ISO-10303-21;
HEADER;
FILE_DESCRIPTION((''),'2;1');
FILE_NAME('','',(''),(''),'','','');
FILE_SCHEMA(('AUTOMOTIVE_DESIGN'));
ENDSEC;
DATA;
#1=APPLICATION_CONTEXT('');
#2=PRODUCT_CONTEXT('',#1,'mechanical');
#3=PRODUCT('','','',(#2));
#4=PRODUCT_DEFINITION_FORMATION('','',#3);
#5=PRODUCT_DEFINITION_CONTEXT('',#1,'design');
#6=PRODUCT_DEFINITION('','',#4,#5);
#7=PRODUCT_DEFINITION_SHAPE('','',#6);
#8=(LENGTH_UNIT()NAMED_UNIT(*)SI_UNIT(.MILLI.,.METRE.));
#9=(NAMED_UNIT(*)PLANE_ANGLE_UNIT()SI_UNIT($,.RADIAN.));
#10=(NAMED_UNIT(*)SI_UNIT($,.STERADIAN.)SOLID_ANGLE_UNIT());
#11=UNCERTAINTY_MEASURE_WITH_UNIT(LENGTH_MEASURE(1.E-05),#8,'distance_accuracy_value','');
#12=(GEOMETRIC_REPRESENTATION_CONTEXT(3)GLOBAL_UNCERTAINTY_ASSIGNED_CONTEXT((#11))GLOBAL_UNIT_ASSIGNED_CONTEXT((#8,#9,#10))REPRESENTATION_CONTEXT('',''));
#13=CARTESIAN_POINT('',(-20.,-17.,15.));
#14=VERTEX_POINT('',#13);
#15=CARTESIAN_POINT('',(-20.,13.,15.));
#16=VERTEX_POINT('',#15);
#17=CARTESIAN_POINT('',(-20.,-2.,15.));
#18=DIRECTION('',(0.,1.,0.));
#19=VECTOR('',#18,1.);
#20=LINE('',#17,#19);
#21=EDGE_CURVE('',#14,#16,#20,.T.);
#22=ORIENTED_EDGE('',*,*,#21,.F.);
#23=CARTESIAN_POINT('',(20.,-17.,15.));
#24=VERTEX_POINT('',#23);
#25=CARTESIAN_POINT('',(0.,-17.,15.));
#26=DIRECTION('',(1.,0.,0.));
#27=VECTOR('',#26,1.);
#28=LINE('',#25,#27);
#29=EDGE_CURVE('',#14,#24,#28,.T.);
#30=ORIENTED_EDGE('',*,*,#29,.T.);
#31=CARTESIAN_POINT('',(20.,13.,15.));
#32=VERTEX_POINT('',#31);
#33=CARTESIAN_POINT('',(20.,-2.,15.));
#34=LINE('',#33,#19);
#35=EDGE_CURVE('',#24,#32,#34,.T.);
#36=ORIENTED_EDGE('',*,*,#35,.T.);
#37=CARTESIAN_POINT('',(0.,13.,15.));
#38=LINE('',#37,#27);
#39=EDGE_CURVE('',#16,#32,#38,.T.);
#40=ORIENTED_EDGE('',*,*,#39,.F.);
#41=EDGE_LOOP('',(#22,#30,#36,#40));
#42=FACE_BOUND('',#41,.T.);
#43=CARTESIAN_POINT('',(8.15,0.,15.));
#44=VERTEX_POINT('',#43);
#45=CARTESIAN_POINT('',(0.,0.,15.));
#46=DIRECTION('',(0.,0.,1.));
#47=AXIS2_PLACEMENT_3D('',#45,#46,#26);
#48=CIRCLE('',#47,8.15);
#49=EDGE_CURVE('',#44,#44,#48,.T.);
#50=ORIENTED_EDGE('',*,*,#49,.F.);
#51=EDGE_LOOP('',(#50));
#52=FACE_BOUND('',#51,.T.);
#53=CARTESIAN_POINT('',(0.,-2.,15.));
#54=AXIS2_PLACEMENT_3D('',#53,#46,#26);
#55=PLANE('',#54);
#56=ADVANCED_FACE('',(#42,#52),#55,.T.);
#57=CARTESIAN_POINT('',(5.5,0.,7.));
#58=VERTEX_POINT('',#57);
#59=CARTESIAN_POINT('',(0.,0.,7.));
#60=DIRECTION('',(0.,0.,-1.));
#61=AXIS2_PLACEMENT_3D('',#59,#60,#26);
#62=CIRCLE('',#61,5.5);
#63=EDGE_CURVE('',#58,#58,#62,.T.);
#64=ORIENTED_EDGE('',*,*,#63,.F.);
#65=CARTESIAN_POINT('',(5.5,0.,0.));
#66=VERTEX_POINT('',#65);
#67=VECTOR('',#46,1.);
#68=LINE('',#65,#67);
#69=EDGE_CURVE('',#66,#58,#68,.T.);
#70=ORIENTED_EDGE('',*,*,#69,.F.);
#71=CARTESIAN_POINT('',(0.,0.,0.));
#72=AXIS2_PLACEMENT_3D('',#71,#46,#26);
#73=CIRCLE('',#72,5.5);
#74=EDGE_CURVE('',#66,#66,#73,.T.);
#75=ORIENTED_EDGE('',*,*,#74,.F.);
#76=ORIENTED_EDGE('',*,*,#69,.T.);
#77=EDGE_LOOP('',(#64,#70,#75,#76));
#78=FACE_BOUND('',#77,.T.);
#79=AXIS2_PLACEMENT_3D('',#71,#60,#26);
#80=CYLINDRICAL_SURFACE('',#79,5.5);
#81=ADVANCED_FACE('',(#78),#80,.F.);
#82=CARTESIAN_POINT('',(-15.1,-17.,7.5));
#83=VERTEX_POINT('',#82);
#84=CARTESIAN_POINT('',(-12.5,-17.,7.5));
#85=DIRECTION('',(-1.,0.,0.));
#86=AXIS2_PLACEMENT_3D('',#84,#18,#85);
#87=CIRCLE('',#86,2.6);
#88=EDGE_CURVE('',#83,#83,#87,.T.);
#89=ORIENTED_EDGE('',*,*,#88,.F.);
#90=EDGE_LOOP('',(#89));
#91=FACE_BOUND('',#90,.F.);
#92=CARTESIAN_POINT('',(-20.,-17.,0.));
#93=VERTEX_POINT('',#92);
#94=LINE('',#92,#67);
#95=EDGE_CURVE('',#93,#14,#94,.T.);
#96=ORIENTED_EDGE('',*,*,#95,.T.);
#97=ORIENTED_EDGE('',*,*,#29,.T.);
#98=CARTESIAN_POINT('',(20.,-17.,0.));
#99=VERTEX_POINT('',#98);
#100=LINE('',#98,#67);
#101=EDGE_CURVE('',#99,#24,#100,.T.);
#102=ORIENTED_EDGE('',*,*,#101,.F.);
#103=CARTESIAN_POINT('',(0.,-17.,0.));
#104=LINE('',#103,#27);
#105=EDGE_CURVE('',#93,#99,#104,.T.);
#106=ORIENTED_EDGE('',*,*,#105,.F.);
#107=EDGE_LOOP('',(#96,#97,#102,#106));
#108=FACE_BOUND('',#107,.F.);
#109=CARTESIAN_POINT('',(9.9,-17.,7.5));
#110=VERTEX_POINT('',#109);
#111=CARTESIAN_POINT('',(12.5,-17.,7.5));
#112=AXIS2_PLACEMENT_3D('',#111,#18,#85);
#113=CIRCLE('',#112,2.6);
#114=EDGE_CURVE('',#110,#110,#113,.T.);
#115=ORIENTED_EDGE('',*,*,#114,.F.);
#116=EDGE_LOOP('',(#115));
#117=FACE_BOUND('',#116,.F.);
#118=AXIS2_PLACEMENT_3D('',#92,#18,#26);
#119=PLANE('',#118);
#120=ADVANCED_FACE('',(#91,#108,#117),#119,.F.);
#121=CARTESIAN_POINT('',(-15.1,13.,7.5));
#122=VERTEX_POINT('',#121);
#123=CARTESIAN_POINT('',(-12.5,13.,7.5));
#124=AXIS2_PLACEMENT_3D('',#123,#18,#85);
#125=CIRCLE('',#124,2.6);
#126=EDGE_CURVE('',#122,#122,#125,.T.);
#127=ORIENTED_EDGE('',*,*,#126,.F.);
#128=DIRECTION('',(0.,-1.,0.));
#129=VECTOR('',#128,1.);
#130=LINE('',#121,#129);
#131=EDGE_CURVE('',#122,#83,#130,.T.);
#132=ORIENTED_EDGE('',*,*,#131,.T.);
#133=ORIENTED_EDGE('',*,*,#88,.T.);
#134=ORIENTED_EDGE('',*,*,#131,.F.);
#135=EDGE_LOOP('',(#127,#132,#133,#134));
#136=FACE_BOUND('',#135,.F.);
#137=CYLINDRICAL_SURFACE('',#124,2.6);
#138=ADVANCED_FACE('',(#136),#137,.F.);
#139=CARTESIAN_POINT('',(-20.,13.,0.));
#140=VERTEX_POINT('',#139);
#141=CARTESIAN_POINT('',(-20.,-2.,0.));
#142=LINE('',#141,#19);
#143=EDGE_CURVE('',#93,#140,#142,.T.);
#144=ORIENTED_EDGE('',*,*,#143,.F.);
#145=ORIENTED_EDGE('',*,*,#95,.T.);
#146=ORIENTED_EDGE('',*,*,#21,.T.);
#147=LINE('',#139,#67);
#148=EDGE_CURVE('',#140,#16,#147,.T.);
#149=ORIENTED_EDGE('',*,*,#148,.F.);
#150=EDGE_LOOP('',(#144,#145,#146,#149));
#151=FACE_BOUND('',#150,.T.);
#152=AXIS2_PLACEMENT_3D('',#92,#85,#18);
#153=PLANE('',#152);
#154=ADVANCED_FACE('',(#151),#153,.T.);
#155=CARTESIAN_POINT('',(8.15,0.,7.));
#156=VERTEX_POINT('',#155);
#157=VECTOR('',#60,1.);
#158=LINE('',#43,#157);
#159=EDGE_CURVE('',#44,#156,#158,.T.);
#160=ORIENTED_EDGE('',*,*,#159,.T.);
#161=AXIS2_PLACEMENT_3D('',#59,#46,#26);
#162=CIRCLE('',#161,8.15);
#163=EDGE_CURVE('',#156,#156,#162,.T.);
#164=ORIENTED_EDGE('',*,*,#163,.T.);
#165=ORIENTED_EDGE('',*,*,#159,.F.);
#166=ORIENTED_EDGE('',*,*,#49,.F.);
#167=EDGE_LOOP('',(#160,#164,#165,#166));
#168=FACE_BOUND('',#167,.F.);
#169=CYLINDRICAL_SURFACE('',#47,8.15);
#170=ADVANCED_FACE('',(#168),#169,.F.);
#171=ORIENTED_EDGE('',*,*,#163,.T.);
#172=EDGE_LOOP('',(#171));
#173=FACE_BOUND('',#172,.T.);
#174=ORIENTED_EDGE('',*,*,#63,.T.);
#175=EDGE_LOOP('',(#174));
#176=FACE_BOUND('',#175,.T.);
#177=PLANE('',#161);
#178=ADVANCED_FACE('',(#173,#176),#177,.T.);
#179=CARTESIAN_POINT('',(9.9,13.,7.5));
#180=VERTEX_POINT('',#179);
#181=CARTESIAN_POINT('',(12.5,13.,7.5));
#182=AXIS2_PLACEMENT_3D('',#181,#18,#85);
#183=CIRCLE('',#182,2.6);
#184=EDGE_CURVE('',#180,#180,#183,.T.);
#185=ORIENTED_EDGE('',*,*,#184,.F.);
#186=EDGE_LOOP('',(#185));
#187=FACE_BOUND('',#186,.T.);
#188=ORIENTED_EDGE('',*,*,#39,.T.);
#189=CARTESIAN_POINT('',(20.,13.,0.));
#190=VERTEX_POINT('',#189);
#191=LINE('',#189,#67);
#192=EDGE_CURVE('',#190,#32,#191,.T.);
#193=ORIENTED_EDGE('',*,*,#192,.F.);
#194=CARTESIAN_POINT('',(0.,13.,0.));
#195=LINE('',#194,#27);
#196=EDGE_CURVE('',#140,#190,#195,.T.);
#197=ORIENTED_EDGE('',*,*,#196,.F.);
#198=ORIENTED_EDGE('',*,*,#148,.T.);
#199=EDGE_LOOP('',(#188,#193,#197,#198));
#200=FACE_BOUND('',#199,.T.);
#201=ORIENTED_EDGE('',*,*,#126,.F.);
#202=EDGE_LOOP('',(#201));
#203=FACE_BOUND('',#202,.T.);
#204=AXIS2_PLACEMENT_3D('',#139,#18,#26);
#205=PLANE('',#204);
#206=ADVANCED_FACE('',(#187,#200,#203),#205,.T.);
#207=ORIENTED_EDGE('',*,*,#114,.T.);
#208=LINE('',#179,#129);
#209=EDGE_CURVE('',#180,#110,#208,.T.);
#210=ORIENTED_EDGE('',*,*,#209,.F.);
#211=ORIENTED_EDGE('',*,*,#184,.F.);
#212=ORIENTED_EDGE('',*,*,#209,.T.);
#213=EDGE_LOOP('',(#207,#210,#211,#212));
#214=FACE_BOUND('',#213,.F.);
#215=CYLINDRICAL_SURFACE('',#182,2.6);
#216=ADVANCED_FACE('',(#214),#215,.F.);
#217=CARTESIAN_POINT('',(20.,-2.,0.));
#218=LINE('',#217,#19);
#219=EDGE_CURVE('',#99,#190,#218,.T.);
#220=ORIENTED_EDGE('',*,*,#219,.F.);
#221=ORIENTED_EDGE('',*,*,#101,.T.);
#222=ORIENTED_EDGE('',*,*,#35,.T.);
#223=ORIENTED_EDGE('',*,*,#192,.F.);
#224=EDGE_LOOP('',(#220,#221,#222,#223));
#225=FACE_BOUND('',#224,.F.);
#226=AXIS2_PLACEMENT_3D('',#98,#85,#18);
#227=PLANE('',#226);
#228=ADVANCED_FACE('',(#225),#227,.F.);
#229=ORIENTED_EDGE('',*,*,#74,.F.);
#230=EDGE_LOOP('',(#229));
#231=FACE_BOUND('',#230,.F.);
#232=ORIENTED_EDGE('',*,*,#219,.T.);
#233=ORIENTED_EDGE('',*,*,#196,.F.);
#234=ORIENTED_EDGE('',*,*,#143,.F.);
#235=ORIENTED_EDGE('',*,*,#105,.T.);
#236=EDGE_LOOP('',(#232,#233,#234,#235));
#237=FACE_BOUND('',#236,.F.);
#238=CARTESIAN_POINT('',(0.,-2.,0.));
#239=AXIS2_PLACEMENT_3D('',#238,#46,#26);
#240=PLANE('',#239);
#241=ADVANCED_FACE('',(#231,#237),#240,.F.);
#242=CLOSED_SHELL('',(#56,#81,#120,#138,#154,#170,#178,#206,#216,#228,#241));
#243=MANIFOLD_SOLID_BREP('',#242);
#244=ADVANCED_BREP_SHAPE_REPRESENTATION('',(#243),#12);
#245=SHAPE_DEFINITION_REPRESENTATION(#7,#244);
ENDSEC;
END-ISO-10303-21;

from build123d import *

# Parameters (mm, degrees)
SKETCH_W        = 40
SKETCH_H        = 30
SKETCH_R        = 5.5
PAD_DEPTH       = 15
SKETCH001_R     = 8.15
POCKET_DEPTH    = 8
SKETCH002_R     = 2.6
POCKET001_DEPTH = 30.001


with BuildPart() as part:
    # Sketch → Pad (new body)
    with BuildSketch(Plane.XY):
        with Locations((0, -2)):
            Rectangle(SKETCH_W, SKETCH_H)
        Circle(SKETCH_R, mode=Mode.SUBTRACT)
    extrude(amount=PAD_DEPTH)

    # Sketch001 (on Face7 of Pad) → Pocket (cut)
    with BuildSketch(Plane.XY.offset(15)):
        Circle(SKETCH001_R)
    extrude(amount=-POCKET_DEPTH, mode=Mode.SUBTRACT)

    # Sketch002 (on Face1 of Pocket) → Pocket001 (cut, through all)
    with BuildSketch(Plane(origin=(0, 13, 0), x_dir=(-1, 0, 0), z_dir=(0, 1, 0))):
        with Locations((-12.5, 7.5)):
            Circle(SKETCH002_R)
        with Locations((12.5, 7.5)):
            Circle(SKETCH002_R)
    extrude(amount=-POCKET001_DEPTH, mode=Mode.SUBTRACT)


solid = part.part
